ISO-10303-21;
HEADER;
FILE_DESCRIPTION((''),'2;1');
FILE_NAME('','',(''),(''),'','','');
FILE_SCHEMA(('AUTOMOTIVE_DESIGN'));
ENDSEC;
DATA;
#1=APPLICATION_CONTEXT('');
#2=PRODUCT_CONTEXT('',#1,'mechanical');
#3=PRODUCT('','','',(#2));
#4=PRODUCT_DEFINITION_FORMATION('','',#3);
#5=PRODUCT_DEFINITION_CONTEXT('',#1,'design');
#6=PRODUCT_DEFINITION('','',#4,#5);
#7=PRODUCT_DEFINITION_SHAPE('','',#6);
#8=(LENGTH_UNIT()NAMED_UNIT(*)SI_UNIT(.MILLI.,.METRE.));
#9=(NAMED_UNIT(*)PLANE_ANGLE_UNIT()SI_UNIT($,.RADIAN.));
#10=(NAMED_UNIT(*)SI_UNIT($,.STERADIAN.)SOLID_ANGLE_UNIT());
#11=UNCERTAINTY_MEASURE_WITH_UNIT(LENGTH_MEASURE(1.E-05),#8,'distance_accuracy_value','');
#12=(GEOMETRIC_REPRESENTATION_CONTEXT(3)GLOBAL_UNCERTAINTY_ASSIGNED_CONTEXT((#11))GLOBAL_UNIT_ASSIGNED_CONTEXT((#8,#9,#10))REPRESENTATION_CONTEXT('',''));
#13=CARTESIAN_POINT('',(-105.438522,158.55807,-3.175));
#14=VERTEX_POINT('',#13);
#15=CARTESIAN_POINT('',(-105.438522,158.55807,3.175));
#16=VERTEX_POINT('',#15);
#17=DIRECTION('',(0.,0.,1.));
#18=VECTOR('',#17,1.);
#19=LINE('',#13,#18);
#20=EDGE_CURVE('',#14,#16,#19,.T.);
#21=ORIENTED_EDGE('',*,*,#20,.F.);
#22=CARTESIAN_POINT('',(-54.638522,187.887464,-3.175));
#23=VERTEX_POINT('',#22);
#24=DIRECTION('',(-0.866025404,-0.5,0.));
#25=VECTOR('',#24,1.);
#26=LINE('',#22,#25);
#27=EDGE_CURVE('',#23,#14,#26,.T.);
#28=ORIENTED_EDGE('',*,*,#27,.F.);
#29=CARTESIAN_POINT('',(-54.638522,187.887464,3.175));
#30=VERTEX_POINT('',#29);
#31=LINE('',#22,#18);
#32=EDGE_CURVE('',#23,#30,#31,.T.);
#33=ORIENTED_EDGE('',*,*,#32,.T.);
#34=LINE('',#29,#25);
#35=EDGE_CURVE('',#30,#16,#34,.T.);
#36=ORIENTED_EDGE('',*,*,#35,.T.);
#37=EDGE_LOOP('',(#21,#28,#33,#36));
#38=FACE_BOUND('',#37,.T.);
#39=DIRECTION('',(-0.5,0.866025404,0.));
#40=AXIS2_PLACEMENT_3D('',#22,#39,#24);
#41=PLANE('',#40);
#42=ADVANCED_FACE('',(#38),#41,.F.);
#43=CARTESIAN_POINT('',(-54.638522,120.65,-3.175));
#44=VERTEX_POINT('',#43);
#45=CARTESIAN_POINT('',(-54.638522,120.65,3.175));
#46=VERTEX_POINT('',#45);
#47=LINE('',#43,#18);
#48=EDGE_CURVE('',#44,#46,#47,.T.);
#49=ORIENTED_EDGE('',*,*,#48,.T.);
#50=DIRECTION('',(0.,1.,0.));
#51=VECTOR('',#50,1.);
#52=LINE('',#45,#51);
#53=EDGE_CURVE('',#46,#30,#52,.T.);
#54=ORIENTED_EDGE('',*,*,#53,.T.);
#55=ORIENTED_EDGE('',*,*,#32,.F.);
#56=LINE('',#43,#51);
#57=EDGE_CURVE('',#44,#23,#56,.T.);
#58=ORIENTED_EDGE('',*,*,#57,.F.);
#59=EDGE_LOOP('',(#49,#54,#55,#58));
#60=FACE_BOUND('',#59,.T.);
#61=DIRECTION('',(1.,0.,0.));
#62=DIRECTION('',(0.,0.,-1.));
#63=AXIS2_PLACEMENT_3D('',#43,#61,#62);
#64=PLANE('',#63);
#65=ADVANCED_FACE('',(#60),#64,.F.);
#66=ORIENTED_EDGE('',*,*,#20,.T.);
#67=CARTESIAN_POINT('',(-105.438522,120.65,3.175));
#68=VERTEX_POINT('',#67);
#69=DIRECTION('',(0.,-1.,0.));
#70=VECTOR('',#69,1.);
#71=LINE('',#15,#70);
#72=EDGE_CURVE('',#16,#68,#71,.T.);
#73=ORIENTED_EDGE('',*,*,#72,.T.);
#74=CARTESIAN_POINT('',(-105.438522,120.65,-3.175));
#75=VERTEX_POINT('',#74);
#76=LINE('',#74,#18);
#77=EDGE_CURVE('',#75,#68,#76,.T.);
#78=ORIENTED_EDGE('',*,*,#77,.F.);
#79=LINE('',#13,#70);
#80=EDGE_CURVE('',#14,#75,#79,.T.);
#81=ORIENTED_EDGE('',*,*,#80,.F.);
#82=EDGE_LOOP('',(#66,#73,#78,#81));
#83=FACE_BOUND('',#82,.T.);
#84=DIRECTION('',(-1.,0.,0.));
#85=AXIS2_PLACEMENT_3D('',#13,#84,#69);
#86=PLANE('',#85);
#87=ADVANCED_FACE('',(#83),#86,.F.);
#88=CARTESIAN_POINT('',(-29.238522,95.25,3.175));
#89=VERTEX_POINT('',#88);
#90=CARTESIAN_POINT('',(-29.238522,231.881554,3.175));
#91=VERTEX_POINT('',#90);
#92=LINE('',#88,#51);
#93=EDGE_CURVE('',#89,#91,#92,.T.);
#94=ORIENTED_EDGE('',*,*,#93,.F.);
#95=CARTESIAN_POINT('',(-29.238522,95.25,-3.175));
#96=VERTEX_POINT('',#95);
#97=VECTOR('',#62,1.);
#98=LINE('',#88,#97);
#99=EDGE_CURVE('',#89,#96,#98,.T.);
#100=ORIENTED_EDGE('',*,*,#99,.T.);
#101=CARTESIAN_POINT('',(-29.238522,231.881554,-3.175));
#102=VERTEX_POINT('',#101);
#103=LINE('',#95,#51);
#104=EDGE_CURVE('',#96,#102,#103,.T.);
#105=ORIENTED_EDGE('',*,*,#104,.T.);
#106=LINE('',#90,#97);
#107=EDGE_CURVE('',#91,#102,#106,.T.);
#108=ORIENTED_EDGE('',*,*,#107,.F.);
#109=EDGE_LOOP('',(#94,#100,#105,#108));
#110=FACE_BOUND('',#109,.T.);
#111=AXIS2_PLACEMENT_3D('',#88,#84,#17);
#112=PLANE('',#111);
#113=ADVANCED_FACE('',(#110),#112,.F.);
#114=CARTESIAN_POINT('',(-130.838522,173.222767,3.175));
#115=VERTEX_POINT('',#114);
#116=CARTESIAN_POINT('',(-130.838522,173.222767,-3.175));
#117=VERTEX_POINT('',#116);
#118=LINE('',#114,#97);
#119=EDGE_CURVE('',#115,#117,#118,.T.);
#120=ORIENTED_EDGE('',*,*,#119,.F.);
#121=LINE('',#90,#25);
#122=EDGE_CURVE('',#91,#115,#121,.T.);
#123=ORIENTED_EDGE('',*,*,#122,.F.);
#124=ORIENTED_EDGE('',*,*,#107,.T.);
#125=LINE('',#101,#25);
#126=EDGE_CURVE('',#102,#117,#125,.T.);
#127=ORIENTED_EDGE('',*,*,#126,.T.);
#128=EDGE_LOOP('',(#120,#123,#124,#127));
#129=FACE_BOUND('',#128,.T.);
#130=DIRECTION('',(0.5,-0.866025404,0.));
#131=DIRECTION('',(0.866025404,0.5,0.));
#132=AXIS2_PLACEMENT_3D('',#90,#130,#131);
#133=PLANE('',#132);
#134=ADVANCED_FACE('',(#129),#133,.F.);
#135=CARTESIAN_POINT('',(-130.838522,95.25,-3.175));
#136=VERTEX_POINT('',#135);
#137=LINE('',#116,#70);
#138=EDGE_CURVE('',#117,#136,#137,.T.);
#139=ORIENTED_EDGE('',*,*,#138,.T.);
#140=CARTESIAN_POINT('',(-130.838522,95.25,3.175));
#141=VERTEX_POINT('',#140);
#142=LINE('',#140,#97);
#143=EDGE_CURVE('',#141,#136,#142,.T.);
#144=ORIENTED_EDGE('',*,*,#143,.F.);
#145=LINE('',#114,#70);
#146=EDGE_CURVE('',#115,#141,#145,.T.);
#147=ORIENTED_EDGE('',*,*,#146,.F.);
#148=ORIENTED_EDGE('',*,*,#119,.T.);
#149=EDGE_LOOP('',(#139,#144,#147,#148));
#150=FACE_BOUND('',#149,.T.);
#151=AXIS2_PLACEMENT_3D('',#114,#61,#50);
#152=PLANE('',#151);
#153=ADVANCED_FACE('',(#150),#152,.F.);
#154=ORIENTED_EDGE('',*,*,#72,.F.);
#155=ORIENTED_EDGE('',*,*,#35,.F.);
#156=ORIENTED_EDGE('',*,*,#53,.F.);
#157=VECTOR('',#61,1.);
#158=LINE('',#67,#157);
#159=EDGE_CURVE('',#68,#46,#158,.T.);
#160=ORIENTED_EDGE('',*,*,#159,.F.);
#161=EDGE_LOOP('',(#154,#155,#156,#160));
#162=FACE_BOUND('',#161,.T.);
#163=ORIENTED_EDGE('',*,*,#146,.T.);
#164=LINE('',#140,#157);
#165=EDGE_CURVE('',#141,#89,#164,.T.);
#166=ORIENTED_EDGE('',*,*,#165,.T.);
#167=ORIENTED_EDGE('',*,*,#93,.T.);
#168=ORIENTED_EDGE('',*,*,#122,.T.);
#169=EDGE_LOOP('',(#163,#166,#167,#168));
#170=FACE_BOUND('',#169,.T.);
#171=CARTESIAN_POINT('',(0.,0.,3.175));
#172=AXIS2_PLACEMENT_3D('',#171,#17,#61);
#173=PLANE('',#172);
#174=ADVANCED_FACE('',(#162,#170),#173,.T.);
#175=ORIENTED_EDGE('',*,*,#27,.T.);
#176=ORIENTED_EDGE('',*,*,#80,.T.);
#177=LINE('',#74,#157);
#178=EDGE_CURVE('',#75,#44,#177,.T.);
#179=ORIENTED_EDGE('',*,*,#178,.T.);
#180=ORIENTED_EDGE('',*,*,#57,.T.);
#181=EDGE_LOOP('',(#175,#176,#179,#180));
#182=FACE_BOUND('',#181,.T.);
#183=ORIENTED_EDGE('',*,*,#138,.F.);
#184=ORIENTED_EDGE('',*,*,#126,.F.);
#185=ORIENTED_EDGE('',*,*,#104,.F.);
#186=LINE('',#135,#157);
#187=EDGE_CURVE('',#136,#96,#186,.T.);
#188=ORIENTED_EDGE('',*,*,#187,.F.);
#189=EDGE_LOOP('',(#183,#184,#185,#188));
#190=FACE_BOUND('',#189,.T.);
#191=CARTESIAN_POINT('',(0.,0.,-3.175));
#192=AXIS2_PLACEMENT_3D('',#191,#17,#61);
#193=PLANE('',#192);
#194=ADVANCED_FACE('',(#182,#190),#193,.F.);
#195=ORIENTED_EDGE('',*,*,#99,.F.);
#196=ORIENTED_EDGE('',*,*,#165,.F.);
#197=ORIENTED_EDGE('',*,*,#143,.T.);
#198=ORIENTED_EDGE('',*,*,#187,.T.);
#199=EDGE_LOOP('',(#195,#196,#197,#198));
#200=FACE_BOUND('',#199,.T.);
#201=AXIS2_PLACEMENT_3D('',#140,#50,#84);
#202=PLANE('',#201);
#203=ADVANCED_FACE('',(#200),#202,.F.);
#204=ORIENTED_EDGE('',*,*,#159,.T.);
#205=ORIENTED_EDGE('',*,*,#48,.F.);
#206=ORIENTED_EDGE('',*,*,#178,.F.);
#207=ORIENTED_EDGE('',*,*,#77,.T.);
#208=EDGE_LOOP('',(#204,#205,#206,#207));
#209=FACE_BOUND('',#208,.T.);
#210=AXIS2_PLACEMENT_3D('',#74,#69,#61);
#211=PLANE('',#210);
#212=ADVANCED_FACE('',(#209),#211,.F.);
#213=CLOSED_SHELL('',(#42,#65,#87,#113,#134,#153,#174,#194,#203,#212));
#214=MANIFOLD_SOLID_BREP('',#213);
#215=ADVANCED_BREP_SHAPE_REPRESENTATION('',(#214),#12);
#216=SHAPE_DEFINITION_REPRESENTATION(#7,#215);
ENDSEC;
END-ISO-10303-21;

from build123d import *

# Parameters (mm, degrees)
BOSS_EXTRUDE1_DEPTH = 3.175
CUT_EXTRUDE1_DEPTH  = 267.323293548


with BuildPart() as part:
    # Sketch1 → Boss-Extrude1 (new, symmetric)
    with BuildSketch(Plane.XY):
        Polygon((-130.838522478, 95.25), (-29.238522478, 95.25), (-29.238522478, 231.881554295), (-130.838522478, 173.222766945), align=None)
    extrude(amount=BOSS_EXTRUDE1_DEPTH, both=True)

    # Sketch2 → Cut-Extrude1 (cut, through all)
    with BuildSketch(Plane.XY.offset(3.175)):
        Polygon((-54.638522478, 120.65), (-54.638522478, 187.887463782), (-105.438522478, 158.558070107), (-105.438522478, 120.65), align=None)
    extrude(amount=-CUT_EXTRUDE1_DEPTH, mode=Mode.SUBTRACT)


solid = part.part
